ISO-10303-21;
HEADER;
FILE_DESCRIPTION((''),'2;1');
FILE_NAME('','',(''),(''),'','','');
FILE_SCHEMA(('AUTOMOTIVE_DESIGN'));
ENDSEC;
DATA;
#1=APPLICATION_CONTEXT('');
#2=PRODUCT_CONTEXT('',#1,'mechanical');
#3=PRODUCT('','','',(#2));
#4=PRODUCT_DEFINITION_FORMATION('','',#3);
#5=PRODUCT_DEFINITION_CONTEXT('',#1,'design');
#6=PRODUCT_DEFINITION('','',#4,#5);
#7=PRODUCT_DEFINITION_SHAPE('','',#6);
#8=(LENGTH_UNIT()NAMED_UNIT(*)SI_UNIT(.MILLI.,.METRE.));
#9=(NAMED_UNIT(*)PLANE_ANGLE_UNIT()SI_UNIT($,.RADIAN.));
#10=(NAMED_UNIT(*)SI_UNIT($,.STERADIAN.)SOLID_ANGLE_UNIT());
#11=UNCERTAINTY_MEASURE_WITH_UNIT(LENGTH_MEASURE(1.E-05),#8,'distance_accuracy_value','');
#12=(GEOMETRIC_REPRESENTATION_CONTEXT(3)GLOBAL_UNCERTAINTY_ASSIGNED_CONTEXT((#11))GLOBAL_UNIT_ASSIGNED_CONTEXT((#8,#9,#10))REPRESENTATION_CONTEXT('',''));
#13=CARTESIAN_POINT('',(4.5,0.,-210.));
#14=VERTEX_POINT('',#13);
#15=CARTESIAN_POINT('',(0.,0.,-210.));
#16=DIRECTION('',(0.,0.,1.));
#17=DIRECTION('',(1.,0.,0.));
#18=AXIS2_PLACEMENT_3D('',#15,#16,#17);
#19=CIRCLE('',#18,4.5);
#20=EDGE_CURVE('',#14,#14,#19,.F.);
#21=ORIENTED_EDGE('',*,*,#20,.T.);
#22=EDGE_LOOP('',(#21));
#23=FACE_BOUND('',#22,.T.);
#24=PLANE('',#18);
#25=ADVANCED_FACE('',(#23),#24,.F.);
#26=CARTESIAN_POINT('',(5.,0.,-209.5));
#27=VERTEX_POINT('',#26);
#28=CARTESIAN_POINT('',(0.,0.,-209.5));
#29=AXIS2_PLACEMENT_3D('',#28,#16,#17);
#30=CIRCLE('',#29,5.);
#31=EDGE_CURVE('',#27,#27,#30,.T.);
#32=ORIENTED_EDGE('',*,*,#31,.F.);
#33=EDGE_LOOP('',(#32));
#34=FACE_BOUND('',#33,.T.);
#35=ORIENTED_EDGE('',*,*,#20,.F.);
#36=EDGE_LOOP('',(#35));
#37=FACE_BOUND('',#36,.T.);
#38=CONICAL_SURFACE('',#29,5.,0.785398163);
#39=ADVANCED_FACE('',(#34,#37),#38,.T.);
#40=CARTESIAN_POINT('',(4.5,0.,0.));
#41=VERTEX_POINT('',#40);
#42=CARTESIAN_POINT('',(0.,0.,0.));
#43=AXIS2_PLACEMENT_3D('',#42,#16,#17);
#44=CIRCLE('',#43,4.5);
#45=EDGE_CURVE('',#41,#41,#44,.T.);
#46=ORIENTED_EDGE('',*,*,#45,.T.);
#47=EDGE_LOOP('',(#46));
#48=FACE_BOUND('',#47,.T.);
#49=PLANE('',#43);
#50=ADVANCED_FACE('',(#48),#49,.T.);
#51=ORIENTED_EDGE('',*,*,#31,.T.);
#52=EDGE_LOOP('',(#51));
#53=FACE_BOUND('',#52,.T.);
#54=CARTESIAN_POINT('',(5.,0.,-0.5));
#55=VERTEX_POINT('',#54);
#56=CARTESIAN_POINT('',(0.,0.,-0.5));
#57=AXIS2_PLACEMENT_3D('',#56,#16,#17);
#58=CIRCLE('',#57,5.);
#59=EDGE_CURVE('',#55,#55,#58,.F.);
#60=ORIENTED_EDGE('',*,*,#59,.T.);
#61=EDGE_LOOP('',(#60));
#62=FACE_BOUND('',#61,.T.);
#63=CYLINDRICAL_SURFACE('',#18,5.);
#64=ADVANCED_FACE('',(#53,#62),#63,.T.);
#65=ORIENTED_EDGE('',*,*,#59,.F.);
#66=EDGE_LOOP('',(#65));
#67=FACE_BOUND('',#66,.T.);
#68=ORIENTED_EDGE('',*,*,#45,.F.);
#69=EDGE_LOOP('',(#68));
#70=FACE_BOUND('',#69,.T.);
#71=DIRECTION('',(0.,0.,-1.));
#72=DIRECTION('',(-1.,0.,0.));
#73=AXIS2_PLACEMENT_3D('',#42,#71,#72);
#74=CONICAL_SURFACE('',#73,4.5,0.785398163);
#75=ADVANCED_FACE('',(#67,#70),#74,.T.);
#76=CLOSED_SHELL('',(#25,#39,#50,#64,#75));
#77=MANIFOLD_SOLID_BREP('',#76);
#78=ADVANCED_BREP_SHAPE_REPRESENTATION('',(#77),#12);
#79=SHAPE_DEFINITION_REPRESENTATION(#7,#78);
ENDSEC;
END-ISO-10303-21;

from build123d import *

# Parameters (mm, degrees)
SKETCH1_R           = 5
BOSS_EXTRUDE1_DEPTH = 210
CHAMFER1_SIZE       = 0.5


with BuildPart() as part:
    # Sketch1 → Boss-Extrude1 (new body)
    with BuildSketch(Plane.XY):
        Circle(SKETCH1_R)
    extrude(amount=-BOSS_EXTRUDE1_DEPTH)

    # Chamfer1
    chamfer1_edges = [part.edges().sort_by_distance(p)[0] for p in [
        (-5, 0, 0),
        (-5, 0, -210),
    ]]
    chamfer(chamfer1_edges, length=CHAMFER1_SIZE)


solid = part.part
